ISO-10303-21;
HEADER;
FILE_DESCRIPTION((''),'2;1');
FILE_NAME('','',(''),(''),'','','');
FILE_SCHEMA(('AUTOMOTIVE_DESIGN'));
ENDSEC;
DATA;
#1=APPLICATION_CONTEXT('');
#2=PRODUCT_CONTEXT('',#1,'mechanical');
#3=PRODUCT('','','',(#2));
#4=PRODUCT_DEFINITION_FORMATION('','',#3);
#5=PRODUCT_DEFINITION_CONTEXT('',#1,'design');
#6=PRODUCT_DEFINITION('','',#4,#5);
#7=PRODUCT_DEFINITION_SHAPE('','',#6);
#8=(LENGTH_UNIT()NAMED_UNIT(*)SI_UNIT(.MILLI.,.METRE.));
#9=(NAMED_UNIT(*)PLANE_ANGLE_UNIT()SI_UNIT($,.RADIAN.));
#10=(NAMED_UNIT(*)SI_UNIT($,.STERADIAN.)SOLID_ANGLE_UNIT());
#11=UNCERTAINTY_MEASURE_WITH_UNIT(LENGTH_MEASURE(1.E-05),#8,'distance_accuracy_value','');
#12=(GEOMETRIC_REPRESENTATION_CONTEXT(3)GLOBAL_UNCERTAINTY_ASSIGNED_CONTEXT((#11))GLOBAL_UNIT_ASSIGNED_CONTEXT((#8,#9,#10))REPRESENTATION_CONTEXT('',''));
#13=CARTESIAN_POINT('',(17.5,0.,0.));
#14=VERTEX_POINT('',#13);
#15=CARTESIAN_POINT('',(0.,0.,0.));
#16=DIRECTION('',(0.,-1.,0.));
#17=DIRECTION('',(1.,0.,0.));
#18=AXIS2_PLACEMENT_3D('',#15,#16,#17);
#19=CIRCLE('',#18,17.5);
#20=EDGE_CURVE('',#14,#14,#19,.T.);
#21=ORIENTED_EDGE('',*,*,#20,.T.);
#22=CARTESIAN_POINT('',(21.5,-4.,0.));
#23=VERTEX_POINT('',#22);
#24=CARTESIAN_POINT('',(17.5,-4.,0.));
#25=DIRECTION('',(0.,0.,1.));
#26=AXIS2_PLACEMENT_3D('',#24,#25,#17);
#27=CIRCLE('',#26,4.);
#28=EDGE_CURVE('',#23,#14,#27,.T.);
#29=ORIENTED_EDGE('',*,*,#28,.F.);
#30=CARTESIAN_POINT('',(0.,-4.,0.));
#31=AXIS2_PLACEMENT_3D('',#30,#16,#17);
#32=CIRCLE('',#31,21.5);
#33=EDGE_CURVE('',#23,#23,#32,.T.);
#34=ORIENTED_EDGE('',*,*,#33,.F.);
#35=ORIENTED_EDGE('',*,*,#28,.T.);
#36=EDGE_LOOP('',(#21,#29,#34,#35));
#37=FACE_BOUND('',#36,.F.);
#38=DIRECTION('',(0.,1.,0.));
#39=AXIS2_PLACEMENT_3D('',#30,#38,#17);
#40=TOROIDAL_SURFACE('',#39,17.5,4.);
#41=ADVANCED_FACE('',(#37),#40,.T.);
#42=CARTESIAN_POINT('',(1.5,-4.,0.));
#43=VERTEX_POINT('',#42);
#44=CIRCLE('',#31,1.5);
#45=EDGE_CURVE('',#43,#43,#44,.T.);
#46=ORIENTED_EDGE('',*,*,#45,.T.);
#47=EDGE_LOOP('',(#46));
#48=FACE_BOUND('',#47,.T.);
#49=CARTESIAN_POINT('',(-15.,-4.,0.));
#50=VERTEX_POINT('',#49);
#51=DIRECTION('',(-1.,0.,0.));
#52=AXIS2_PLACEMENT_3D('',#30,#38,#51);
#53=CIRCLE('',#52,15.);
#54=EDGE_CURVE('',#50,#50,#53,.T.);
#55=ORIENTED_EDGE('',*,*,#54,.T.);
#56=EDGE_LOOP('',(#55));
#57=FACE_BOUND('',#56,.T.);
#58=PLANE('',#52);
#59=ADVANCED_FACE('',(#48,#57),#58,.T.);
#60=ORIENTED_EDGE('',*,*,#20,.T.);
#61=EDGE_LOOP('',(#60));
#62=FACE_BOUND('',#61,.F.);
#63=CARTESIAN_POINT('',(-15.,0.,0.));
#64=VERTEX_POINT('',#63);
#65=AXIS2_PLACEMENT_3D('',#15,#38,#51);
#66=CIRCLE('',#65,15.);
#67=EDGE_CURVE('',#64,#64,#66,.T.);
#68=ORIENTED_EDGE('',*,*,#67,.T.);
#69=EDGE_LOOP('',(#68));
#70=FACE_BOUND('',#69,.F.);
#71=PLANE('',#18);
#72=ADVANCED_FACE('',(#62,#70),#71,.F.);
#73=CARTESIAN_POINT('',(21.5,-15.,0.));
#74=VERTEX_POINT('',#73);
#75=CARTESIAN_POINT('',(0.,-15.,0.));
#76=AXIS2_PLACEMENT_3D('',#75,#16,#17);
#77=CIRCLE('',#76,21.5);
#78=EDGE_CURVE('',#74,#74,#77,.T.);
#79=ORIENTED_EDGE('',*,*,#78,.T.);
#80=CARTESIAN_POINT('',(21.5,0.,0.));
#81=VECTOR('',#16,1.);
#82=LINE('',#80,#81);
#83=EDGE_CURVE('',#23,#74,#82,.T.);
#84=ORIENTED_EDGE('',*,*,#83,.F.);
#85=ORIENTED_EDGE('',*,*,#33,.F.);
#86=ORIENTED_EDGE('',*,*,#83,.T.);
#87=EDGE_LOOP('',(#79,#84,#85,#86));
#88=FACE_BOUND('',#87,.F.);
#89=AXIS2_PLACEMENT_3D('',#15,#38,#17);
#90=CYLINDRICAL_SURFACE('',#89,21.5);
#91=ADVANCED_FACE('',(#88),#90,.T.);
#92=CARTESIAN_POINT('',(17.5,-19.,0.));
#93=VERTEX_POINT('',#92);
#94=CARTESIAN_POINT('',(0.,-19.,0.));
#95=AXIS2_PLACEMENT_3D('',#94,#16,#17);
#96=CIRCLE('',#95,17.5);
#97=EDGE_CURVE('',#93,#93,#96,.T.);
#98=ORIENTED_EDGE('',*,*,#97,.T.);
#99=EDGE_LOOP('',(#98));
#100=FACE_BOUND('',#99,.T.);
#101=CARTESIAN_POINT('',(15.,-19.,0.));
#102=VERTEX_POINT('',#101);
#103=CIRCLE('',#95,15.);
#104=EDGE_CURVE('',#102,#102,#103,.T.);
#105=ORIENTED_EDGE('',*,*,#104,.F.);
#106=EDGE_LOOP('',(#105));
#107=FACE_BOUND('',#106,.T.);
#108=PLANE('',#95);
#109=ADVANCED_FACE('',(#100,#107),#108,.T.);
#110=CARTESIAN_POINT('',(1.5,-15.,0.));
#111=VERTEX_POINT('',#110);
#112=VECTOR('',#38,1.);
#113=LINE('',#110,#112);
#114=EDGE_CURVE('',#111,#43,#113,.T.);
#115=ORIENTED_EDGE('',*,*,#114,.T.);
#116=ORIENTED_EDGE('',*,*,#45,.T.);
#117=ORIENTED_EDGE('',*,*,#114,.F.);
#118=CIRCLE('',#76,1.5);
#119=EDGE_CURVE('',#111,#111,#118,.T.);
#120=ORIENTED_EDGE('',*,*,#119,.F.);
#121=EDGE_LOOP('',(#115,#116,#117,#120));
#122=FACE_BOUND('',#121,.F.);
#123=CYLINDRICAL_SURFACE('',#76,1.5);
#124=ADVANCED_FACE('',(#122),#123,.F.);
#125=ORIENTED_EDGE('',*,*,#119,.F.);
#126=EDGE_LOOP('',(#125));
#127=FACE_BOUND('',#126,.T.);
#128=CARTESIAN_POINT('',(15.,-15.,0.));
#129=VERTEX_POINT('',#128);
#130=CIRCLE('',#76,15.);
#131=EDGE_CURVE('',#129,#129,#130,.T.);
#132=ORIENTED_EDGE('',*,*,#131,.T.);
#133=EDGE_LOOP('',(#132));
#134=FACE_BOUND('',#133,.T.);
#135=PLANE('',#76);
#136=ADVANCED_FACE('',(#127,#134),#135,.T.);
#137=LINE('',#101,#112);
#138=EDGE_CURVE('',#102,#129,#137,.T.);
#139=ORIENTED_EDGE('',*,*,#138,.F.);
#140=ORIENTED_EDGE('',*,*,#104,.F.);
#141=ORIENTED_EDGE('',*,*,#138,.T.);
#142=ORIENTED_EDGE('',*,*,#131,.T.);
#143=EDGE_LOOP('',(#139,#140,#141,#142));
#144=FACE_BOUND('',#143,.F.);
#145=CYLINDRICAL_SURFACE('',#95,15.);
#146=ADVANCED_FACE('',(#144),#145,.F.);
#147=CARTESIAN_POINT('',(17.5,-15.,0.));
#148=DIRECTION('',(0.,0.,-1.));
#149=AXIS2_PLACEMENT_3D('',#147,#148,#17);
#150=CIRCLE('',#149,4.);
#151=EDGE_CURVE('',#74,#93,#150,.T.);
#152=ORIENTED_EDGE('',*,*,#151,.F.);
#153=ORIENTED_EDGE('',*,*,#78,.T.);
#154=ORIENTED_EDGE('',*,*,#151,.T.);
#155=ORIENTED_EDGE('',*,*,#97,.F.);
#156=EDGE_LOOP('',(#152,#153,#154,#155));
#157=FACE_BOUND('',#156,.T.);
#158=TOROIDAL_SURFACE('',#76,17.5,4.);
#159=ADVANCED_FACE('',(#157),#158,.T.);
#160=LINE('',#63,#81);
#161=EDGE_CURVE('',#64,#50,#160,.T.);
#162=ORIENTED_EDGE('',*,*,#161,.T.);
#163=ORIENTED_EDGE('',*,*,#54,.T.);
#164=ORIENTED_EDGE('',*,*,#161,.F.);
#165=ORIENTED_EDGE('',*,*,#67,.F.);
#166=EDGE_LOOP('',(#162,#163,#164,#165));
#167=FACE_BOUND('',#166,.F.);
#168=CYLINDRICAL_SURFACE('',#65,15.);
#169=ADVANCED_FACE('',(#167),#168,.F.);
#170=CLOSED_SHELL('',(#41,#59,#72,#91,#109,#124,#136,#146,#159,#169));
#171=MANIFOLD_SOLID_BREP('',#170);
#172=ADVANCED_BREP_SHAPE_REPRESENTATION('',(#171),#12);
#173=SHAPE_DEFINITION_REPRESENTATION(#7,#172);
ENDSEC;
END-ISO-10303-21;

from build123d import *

# Parameters (mm, degrees)
F0_R     = 21.5
F1_DEPTH = 19
F2_R     = 4
F3_R     = 15
F4_DEPTH = 4
F5_R     = 15
F6_DEPTH = 4
F7_R     = 1.5
F8_DEPTH = 15.001


with BuildPart() as f1:
    # F0 (on Front) → F1 (new body)
    with BuildSketch(Plane.XZ):
        Circle(F0_R)
    extrude(amount=F1_DEPTH)

    # F2
    f2_edges = [f1.edges().sort_by_distance(p)[0] for p in [
        (-21.5, -19, 0),
        (-21.5, 0, 0),
    ]]
    fillet(f2_edges, radius=F2_R)

    # F3 (on face) → F4 (cut)
    with BuildSketch(Plane(origin=(0, 0, 0), x_dir=(-1, 0, 0), z_dir=(0, 1, 0))):
        Circle(F3_R)
    extrude(amount=-F4_DEPTH, mode=Mode.SUBTRACT)

    # F5 (on face) → F6 (cut)
    with BuildSketch(Plane.XZ.offset(19)):
        Circle(F5_R)
    extrude(amount=-F6_DEPTH, mode=Mode.SUBTRACT)

    # F7 (on face) → F8 (cut, through all)
    with BuildSketch(Plane.XZ.offset(15)):
        Circle(F7_R)
    extrude(amount=-F8_DEPTH, mode=Mode.SUBTRACT)


solid = f1.part
